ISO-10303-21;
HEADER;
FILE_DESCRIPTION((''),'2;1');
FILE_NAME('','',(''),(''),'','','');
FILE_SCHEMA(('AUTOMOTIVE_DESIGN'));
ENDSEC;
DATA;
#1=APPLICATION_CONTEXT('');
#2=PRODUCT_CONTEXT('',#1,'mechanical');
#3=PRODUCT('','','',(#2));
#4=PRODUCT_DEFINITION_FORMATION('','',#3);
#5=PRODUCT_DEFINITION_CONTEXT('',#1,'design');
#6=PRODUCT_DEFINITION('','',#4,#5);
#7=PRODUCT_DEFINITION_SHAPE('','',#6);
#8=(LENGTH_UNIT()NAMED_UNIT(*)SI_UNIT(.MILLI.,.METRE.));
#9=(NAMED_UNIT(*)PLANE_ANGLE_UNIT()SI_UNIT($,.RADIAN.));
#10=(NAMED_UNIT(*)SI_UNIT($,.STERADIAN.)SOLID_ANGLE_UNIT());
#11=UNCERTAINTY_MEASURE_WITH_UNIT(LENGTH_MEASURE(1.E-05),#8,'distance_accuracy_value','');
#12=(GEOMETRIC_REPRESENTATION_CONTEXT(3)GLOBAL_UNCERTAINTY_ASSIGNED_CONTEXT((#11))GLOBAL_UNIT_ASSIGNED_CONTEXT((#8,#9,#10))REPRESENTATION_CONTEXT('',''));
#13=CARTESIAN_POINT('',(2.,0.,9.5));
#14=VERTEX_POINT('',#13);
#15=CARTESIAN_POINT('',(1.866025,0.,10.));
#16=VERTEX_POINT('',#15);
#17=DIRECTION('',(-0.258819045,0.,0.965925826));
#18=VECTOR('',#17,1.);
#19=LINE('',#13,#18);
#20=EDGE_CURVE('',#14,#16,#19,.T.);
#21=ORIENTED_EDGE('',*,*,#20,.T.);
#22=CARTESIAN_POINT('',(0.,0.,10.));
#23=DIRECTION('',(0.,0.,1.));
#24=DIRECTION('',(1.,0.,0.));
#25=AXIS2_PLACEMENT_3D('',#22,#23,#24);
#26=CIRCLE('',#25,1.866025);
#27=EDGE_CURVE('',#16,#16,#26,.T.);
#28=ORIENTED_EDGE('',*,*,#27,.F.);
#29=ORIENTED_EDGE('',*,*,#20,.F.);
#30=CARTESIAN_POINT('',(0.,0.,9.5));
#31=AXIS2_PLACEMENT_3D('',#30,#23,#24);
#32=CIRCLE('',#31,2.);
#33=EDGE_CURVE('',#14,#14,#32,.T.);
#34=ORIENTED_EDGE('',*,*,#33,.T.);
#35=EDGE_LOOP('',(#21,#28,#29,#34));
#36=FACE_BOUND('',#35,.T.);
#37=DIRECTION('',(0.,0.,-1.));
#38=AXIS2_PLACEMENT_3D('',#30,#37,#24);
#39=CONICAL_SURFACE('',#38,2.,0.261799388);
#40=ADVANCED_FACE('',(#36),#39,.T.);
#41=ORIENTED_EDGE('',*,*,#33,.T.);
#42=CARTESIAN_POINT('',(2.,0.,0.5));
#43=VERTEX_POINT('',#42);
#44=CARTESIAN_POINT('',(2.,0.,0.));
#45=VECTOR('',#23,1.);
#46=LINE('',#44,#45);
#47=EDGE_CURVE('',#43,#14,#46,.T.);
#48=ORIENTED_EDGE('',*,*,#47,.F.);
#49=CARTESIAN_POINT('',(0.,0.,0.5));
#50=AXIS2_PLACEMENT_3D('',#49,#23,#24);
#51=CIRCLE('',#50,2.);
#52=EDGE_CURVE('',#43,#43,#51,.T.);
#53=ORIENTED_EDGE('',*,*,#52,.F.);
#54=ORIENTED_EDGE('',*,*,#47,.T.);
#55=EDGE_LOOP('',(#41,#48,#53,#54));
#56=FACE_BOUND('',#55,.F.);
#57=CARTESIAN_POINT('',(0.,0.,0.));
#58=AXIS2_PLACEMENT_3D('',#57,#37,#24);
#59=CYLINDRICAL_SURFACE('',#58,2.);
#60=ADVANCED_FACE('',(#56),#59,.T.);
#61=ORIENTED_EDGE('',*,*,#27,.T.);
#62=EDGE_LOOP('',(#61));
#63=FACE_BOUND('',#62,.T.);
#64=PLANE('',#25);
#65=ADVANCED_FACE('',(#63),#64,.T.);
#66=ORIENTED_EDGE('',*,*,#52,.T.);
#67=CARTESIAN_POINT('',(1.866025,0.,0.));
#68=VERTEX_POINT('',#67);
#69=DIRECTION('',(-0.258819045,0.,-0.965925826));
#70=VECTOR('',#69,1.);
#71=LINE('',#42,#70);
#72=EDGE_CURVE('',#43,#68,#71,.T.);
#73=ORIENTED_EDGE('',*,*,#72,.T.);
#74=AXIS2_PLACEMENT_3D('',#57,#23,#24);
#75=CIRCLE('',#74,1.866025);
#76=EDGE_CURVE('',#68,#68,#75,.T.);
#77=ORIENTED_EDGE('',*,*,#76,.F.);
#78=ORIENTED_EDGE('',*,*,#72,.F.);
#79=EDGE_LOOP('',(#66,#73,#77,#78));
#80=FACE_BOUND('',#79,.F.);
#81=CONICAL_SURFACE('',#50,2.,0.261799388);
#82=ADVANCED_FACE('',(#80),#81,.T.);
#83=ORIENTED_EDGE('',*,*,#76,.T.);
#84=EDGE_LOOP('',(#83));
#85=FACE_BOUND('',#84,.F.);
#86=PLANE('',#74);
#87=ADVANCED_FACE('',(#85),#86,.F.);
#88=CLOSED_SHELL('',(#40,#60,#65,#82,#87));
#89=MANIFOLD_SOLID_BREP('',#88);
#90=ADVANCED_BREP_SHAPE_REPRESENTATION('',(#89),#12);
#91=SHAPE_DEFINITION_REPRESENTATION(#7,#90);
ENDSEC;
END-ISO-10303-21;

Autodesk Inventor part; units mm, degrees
ref_plane "YZ Plane" through (0, 0, 0) normal (1, 0, 0) x (0, 1, 0)
ref_plane "XZ Plane" through (0, 0, 0) normal (0, 1, 0) x (-1, 0, 0)
ref_plane "XY Plane" through (0, 0, 0) normal (0, 0, 1) x (1, 0, 0)
sketch "スケッチ1" plane through (0, 0, 0) normal (0, 0, 1) x (1, 0, 0)
  circle A0 centre (0, 0) radius 2
  dimension "d0" = 4
extrude "押し出し1" add sketch "スケッチ1" along normal blind 10
chamfer "面取り1" distance 0.5 angle 15 2 edges at (-2, 0, 0) (-2, 0, 10) measured on face at (1.9741, -0.3208, 6.6667)
properties part number "平行ピンD4L10" material "ステンレス鋼"
